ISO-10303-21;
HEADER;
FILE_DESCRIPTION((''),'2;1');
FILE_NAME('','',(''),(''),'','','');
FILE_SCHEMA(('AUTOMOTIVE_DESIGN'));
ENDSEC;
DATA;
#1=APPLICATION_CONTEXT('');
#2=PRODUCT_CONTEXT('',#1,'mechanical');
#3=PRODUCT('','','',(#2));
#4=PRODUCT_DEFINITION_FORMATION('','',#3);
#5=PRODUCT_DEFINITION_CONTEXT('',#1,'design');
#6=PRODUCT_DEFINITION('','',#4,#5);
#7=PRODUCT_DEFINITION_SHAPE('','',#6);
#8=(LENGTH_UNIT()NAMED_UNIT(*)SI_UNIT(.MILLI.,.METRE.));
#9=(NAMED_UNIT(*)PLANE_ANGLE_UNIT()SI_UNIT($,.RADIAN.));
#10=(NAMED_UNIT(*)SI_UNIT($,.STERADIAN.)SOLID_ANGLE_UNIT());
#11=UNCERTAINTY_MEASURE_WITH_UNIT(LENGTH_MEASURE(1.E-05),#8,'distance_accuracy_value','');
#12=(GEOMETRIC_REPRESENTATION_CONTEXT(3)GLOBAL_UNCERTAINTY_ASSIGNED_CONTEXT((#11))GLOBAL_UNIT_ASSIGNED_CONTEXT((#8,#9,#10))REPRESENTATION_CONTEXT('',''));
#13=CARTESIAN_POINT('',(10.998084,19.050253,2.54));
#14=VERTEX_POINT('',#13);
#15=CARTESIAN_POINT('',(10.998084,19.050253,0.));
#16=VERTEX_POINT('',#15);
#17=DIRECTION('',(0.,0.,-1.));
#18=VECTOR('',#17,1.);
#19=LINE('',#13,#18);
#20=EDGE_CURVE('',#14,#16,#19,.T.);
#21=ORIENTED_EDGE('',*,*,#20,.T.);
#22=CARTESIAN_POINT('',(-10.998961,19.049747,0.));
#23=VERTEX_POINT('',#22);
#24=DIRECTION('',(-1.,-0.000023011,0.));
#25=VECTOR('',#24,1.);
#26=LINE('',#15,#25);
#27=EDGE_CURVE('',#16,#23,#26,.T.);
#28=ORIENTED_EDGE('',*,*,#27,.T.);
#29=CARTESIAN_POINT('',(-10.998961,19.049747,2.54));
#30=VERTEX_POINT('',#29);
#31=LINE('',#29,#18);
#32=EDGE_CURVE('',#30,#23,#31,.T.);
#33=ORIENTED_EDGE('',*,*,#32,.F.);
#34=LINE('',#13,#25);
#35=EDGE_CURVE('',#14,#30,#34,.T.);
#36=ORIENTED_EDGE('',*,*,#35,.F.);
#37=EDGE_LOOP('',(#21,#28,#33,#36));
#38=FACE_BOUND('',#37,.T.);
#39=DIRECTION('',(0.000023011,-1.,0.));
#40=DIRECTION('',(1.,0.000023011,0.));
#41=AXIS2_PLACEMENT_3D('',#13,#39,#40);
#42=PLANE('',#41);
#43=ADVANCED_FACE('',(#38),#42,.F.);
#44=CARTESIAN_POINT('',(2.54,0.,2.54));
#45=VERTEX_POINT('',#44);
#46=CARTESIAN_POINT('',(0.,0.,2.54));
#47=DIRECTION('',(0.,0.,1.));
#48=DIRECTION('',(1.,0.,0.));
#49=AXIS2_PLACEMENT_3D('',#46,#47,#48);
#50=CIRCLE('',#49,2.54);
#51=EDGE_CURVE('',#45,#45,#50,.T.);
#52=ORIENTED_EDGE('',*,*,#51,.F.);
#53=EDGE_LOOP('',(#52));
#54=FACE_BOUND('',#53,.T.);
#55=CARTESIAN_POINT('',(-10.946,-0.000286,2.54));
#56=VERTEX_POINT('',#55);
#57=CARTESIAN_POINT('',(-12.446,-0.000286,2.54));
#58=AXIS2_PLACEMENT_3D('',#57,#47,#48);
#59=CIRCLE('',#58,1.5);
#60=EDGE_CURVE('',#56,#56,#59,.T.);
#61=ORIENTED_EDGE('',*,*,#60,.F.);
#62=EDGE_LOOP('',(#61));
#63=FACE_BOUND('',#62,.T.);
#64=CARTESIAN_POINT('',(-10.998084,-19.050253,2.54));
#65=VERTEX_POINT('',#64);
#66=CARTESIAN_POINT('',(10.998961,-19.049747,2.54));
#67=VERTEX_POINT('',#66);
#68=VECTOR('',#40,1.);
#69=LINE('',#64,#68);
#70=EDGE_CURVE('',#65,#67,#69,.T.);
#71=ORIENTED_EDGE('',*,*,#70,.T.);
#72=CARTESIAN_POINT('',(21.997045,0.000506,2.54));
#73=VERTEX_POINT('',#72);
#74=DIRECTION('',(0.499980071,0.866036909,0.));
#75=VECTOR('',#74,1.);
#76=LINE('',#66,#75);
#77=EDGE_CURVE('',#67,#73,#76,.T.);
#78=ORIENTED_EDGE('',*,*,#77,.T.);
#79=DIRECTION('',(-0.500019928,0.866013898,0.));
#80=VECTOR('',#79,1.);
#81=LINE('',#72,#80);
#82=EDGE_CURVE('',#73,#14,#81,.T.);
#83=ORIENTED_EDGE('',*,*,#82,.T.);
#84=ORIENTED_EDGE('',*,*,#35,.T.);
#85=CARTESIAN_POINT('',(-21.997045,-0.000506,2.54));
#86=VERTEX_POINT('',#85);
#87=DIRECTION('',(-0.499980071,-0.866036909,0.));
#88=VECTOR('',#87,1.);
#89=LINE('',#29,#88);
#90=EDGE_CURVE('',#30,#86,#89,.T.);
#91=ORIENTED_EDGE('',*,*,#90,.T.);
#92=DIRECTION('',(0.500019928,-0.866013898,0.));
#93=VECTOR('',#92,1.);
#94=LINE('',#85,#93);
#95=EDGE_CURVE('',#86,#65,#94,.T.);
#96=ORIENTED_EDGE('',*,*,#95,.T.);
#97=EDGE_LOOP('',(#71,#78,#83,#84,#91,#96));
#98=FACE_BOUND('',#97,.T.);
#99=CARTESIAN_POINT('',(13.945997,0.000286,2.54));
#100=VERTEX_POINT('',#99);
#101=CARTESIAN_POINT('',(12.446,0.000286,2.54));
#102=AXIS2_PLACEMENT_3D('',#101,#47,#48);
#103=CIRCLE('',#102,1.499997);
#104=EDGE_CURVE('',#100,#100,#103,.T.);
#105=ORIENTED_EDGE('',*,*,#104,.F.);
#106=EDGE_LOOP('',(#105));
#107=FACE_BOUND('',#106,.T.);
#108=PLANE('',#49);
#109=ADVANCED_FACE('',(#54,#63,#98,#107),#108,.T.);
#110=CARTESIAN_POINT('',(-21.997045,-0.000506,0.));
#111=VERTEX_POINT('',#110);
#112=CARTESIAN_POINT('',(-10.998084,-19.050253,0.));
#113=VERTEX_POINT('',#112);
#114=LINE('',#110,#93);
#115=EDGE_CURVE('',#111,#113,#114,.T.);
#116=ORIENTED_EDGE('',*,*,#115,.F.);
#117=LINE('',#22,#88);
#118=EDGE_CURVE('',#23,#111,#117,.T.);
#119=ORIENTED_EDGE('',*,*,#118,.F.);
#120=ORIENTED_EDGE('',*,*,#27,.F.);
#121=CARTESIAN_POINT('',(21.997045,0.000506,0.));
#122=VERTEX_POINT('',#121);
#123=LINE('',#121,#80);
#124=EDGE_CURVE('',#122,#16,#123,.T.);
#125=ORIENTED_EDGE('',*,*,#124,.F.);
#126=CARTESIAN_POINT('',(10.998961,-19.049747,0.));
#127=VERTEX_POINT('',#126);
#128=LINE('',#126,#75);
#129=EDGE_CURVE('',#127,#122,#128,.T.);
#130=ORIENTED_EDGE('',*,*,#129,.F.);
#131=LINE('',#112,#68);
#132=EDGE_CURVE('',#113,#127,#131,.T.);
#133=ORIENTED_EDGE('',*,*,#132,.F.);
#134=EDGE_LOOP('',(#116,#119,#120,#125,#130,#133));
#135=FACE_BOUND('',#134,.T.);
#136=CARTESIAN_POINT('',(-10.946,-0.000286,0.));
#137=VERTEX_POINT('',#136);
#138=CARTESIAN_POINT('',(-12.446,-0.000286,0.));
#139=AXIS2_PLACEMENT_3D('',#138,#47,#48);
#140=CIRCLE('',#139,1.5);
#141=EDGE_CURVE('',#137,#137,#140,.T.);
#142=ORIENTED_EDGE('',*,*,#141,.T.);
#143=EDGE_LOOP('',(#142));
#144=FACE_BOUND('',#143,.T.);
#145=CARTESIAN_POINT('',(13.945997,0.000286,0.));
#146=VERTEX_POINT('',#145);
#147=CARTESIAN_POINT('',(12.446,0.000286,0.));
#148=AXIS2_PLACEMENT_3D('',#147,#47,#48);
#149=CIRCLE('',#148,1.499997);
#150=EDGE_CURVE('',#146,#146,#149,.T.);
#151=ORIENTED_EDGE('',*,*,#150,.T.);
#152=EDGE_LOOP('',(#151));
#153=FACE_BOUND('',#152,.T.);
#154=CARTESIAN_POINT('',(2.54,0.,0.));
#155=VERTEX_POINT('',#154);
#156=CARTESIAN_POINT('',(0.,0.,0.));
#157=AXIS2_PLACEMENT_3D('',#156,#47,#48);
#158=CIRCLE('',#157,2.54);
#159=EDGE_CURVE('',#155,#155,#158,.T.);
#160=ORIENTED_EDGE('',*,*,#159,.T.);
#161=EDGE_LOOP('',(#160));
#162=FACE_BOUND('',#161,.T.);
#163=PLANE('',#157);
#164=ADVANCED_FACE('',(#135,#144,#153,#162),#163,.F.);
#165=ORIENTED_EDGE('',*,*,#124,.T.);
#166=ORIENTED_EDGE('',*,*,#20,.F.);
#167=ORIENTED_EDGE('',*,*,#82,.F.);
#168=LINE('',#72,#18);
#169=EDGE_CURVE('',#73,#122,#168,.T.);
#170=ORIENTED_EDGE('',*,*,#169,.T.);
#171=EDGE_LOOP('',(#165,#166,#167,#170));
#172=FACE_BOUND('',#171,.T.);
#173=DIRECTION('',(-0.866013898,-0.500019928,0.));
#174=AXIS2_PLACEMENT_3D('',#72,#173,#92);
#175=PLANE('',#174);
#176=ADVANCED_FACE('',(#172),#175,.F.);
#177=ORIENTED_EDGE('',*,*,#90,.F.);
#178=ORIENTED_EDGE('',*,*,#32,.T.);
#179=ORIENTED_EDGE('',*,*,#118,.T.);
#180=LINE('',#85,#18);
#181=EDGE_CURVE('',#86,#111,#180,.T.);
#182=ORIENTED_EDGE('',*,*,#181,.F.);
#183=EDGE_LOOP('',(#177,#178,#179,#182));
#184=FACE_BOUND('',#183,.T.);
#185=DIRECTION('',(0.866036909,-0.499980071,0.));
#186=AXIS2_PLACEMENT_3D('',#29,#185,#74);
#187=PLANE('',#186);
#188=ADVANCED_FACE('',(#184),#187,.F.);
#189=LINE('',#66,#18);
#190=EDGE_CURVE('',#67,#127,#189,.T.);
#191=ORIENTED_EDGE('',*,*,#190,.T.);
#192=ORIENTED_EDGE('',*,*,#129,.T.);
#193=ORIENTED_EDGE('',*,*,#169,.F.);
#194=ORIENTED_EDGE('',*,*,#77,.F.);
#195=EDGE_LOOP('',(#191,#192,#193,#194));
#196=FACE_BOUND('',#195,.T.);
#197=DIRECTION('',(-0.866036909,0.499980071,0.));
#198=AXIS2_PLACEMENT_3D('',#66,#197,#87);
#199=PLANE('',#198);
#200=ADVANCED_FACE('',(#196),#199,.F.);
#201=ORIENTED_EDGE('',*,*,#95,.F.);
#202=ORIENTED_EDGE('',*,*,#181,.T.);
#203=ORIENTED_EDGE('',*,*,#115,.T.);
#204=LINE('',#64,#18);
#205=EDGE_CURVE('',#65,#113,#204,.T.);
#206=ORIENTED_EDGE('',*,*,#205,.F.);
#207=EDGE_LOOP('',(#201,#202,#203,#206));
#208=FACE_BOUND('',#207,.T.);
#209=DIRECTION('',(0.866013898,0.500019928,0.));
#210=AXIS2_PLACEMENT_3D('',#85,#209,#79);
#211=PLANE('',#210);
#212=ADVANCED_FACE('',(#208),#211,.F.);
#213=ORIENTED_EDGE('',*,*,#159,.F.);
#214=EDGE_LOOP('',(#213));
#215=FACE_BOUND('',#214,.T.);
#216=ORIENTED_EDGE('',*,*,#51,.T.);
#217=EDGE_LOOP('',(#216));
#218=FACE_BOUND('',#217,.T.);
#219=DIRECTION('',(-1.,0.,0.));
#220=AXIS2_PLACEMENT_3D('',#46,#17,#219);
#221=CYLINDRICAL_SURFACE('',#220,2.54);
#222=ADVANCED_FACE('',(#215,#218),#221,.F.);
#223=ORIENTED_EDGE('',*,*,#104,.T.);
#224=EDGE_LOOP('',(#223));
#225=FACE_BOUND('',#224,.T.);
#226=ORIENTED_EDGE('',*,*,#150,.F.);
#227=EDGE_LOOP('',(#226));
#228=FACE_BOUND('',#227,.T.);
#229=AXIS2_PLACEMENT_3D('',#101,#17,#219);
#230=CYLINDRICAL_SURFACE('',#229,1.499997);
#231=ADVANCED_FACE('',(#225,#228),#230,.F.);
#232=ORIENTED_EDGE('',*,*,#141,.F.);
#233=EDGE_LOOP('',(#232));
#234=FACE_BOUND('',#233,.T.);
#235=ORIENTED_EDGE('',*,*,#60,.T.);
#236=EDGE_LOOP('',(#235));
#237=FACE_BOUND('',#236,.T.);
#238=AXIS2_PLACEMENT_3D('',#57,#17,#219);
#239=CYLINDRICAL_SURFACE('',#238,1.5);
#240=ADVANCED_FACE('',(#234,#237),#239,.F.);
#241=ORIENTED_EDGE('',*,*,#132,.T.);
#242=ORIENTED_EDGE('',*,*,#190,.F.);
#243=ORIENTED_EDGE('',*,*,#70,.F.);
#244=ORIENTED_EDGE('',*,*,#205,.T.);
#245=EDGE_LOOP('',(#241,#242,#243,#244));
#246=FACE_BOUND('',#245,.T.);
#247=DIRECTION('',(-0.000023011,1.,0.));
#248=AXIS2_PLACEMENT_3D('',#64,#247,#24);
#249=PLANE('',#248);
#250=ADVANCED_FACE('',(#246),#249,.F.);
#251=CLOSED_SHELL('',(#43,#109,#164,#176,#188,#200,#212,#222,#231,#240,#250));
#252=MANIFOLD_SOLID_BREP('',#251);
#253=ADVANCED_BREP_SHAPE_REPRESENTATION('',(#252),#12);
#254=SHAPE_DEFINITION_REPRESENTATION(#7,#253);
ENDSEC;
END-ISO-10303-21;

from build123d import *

# Parameters (mm, degrees)
SKETCH1_R           = 1.5
SKETCH1_R_2         = 1.499997
SKETCH1_R_3         = 2.54
BOSS_EXTRUDE1_DEPTH = 2.54


with BuildPart() as part:
    # Sketch1 → Boss-Extrude1 (new body)
    with BuildSketch(Plane.XY):
        Polygon((10.998084257, 19.050253087), (-10.998960994, 19.049746903), (-21.99704525, -0.000506184), (-10.998084257, -19.050253087), (10.998960994, -19.049746903), (21.99704525, 0.000506184), align=None)
        with Locations((-12.445999997, -0.000286401)):
            Circle(SKETCH1_R, mode=Mode.SUBTRACT)
        with Locations((12.445999997, 0.000286401)):
            Circle(SKETCH1_R_2, mode=Mode.SUBTRACT)
        Circle(SKETCH1_R_3, mode=Mode.SUBTRACT)
    extrude(amount=BOSS_EXTRUDE1_DEPTH)


solid = part.part
